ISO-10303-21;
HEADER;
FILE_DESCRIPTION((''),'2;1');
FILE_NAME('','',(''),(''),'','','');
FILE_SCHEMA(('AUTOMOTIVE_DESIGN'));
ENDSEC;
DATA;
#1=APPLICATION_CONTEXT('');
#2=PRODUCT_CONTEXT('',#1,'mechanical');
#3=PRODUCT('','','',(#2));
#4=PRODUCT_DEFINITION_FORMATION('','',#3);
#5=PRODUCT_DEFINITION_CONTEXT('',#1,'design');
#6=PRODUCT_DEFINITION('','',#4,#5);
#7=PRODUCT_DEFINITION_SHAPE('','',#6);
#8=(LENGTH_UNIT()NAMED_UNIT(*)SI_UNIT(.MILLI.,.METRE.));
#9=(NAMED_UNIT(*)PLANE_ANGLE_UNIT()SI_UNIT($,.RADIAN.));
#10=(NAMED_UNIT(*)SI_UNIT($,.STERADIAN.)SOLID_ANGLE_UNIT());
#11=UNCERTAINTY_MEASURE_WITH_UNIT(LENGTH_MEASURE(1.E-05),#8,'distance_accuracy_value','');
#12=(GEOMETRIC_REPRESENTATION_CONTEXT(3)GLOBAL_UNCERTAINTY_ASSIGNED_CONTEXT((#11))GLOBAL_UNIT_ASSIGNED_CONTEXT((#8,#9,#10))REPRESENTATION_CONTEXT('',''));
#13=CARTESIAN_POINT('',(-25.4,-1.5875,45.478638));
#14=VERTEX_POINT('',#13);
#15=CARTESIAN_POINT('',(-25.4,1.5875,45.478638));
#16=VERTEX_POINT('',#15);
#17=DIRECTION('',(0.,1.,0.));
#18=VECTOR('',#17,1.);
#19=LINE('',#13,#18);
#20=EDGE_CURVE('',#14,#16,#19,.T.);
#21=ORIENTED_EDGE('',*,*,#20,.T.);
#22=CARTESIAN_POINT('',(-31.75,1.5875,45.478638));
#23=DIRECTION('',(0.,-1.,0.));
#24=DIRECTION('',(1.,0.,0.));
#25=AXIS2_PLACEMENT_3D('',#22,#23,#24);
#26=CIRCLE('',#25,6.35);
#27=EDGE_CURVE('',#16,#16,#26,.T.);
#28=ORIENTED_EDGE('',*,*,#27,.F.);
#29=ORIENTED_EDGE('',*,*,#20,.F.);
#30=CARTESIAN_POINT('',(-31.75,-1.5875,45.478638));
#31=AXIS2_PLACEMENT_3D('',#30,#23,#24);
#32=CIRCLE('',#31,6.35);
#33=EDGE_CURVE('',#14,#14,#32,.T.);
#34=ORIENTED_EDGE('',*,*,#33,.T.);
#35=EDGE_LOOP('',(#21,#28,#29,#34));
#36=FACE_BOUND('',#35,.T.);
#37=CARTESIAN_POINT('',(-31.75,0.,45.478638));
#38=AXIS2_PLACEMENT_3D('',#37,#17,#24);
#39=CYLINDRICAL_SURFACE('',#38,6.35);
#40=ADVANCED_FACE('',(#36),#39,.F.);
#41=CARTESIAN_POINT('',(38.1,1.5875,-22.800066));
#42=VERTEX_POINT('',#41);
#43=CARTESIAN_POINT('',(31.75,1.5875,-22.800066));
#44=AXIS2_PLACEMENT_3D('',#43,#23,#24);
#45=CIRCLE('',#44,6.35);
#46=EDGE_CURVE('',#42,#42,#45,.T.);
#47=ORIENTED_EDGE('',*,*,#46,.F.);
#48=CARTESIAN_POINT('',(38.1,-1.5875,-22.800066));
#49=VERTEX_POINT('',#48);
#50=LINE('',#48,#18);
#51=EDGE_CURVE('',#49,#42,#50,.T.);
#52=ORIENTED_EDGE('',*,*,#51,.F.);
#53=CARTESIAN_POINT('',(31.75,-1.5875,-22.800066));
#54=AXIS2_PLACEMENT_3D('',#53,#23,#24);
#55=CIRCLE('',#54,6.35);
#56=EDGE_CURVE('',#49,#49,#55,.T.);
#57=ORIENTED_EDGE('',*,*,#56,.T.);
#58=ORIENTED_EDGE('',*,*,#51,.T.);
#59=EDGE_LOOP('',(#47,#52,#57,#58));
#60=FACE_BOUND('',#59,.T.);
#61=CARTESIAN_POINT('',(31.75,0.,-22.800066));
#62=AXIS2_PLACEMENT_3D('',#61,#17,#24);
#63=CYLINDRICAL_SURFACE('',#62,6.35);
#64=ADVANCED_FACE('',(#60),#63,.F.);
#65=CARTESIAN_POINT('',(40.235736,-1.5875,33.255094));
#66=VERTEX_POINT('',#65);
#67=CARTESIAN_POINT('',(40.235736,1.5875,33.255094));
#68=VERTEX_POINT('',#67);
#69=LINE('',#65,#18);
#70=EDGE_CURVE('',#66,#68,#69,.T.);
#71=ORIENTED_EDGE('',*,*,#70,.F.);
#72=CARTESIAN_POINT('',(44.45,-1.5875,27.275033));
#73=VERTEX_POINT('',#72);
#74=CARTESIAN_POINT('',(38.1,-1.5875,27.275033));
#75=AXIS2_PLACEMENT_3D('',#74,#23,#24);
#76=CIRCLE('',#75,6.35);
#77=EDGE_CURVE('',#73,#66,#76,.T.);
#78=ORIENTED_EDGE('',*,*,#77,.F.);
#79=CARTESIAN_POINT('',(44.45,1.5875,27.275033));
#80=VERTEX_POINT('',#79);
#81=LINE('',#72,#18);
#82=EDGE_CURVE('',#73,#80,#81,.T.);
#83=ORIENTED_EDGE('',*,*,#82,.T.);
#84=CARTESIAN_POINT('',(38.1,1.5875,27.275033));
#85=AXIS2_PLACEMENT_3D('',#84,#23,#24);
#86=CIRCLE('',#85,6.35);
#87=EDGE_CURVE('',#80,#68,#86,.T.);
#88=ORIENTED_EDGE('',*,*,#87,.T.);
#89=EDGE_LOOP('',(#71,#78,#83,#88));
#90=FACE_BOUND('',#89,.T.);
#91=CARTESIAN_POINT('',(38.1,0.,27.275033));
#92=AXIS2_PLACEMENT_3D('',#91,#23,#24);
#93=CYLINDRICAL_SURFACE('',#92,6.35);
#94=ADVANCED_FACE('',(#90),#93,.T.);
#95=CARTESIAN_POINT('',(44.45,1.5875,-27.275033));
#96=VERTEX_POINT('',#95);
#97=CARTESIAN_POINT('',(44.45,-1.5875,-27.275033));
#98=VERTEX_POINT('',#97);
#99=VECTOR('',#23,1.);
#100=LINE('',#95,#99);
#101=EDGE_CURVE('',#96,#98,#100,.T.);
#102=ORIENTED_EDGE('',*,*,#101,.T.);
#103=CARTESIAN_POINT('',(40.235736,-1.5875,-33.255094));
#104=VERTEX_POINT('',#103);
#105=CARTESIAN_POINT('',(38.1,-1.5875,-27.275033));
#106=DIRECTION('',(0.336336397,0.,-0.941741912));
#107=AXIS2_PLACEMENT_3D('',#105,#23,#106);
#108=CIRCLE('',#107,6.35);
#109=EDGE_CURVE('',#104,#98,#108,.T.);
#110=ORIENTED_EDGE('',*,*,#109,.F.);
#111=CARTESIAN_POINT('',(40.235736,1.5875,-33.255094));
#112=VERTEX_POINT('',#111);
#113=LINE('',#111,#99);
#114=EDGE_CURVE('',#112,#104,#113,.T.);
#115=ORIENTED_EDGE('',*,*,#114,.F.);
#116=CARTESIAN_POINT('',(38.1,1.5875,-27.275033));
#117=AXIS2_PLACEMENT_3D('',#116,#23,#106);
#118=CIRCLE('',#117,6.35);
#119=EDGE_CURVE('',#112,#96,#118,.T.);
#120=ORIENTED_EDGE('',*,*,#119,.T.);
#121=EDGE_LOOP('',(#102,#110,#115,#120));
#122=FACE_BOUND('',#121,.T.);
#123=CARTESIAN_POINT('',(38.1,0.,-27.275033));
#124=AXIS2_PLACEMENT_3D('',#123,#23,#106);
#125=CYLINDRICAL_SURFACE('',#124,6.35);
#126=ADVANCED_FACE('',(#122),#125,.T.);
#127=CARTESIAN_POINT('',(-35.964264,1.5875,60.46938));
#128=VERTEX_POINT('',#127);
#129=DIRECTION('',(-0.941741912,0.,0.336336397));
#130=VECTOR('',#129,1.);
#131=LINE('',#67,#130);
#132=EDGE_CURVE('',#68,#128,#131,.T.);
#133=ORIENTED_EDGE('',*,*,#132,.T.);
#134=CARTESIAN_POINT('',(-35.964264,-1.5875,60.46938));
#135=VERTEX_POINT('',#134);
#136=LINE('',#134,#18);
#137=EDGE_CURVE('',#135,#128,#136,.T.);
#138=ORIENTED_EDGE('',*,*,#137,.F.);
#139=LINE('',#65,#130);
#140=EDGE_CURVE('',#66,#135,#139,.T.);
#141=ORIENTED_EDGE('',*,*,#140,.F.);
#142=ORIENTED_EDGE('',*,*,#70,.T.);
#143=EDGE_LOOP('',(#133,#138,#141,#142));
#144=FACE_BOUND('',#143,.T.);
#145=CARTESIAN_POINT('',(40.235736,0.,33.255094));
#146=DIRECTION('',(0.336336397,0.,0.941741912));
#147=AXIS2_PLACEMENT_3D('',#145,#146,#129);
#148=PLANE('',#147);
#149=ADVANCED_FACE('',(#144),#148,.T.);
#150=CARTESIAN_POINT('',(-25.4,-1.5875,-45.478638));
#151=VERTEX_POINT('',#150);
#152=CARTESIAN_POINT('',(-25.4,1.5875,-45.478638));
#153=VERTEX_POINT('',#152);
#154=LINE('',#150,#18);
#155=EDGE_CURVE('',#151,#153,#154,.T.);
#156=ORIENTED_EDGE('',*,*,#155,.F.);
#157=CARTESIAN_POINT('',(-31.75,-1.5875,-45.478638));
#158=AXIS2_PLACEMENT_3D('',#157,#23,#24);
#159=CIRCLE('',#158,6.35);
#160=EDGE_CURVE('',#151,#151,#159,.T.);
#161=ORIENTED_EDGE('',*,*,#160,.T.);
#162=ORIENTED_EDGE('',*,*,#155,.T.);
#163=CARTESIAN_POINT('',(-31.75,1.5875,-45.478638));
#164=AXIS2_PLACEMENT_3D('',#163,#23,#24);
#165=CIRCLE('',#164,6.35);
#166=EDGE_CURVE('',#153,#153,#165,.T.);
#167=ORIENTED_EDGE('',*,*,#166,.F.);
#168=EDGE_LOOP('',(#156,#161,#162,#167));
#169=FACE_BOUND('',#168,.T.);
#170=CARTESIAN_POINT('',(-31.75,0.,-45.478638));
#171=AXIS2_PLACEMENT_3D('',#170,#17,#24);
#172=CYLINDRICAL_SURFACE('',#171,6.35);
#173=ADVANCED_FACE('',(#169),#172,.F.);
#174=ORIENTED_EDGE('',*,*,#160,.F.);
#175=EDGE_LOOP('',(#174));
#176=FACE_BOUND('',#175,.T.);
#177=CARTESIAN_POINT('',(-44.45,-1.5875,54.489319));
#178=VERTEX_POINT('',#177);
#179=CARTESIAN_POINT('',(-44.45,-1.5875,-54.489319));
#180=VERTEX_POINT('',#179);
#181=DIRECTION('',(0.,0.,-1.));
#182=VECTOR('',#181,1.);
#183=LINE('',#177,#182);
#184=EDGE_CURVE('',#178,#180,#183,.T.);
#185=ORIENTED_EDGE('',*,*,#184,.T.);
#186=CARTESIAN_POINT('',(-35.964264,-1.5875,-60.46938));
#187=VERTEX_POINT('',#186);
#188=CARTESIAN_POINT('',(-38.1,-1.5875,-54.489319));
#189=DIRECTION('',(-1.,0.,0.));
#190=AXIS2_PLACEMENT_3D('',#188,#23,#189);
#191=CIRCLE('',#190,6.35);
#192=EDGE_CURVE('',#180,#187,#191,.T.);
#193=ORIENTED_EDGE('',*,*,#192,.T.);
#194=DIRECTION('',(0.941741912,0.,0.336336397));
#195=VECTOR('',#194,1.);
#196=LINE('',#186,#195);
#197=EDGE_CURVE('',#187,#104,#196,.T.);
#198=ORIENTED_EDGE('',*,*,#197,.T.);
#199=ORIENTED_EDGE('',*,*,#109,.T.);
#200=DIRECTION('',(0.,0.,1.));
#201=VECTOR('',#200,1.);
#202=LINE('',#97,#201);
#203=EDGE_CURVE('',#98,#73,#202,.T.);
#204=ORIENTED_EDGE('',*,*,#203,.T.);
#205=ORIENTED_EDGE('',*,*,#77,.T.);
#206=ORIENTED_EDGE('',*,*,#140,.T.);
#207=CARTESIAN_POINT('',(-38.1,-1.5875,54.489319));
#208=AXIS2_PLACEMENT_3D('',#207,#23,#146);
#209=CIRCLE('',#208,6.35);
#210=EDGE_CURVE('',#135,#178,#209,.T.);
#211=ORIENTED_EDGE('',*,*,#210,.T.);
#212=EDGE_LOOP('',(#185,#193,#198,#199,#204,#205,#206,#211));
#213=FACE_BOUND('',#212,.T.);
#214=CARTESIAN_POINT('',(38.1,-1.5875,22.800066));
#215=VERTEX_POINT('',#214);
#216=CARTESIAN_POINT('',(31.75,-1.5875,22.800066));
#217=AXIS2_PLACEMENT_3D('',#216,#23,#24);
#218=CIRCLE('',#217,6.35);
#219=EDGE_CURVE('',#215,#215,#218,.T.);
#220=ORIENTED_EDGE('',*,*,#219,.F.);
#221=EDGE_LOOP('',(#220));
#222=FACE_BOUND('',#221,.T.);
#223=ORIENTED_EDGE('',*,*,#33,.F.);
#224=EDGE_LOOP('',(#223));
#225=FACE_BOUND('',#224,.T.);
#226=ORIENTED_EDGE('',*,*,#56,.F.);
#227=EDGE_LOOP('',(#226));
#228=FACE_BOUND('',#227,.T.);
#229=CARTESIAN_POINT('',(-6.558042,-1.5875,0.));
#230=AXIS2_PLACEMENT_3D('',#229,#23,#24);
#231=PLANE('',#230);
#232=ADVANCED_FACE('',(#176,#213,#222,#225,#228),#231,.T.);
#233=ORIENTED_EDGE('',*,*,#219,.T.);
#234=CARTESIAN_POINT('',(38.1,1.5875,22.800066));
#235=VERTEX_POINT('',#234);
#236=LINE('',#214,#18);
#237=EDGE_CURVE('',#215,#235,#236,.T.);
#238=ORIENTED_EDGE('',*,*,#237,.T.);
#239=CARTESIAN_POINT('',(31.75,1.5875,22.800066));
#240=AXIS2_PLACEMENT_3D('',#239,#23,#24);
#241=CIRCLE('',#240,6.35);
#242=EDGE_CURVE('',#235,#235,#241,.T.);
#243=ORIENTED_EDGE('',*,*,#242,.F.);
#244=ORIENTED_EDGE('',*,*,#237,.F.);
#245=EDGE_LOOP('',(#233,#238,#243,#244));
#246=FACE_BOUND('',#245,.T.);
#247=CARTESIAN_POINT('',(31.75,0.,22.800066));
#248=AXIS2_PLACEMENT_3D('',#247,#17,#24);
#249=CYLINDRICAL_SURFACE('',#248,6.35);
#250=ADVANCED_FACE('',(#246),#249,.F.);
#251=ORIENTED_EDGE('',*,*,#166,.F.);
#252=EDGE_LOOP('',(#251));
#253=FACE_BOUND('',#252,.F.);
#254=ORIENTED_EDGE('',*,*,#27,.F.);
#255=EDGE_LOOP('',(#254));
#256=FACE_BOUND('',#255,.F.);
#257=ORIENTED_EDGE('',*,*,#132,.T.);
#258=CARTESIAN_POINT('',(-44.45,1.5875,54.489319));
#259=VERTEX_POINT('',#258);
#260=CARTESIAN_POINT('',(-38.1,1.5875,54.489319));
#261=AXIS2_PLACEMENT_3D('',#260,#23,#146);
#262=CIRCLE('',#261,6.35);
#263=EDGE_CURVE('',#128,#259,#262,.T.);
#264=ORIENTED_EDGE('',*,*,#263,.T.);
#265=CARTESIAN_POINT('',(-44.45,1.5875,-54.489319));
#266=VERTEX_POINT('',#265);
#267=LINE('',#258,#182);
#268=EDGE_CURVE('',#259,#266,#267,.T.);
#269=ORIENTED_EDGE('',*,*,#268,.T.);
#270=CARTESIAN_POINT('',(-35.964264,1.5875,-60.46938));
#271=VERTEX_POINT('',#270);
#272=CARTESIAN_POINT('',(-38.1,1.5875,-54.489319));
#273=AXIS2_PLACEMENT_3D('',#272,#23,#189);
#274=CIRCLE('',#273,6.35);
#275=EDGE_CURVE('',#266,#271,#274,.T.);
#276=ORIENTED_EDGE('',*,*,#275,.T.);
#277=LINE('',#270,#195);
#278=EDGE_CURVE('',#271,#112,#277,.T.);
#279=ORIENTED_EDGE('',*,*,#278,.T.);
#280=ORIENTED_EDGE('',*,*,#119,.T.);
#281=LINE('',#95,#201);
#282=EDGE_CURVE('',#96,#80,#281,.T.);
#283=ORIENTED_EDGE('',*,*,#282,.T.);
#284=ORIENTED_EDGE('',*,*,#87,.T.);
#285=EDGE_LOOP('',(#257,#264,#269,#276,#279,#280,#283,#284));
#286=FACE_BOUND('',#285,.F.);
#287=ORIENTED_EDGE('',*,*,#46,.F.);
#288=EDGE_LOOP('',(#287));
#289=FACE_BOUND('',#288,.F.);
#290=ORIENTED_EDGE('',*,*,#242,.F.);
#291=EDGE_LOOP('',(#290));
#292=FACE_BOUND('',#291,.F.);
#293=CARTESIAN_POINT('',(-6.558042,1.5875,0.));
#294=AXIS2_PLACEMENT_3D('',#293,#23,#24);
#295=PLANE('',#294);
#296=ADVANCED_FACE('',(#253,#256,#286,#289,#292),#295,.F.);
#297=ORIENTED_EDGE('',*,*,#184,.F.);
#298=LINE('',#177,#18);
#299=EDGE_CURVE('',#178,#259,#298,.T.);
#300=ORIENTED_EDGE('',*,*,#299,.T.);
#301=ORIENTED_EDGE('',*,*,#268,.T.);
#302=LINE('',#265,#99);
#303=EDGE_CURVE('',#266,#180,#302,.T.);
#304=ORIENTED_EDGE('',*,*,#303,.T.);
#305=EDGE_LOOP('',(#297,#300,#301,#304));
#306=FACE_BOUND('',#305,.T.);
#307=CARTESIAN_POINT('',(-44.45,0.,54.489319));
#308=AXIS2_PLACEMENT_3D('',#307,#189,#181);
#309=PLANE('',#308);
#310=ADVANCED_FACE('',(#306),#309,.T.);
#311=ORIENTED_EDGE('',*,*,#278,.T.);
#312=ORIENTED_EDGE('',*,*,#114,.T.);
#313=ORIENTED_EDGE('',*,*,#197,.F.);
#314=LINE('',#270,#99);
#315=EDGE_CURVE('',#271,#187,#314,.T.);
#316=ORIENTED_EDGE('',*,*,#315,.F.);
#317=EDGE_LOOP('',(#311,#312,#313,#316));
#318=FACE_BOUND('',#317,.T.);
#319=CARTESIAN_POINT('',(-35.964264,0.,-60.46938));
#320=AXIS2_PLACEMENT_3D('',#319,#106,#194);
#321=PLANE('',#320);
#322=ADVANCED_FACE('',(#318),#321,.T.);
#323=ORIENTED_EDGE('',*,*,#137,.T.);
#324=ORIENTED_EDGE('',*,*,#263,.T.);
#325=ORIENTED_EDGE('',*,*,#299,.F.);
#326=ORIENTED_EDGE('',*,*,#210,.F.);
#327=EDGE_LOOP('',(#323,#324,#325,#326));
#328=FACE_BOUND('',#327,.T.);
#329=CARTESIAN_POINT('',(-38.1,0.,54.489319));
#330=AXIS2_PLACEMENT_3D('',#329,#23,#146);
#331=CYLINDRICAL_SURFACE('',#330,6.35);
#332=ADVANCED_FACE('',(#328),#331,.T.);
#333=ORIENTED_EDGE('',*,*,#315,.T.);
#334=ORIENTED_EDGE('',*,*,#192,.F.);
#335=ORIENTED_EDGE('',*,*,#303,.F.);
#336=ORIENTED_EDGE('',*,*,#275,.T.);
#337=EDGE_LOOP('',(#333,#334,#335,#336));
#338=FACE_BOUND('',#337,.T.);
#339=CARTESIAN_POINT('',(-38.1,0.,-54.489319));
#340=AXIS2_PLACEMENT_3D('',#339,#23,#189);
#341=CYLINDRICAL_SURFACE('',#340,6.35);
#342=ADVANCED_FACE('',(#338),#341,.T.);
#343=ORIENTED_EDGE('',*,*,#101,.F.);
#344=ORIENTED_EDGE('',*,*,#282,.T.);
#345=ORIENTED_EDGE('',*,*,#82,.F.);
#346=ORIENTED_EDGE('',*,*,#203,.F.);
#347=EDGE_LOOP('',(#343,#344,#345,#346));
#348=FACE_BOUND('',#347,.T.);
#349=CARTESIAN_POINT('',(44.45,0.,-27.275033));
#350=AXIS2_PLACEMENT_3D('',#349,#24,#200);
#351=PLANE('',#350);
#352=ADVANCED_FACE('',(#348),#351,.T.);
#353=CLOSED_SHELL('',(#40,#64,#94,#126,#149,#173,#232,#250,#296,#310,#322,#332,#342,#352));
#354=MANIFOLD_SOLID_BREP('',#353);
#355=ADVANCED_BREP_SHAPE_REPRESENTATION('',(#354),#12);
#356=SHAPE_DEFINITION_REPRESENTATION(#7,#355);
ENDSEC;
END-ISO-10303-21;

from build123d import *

# Parameters (mm, degrees)
F0_R     = 6.35
F1_DEPTH = 1.5875


with BuildPart() as f1:
    # F0 (on Front) → F1 (new body, symmetric)
    with BuildSketch(Plane.XZ):
        with BuildLine():
            Line((-44.45, 54.4893188182), (-44.45, 0))
            Line((-44.45, 0), (-44.45, -54.4893188182))
            ThreePointArc((-44.45, -54.4893188182), (-41.7579075735, -59.6799076272), (-35.9642638791, -60.4693799568))
            Line((-35.9642638791, -60.4693799568), (40.2357361209, -33.2550942425))
            ThreePointArc((40.2357361209, -33.2550942425), (43.290588809, -30.9329406774), (44.45, -27.2750331039))
            Line((44.45, -27.2750331039), (44.45, 0))
            Line((44.45, 0), (44.45, 27.2750331039))
            ThreePointArc((44.45, 27.2750331039), (43.290588809, 30.9329406774), (40.2357361209, 33.2550942425))
            Line((40.2357361209, 33.2550942425), (-35.9642638791, 60.4693799568))
            ThreePointArc((-35.9642638791, 60.4693799568), (-41.7579075735, 59.6799076272), (-44.45, 54.4893188182))
        make_face()
        with Locations((-31.75, -45.4786376364)):
            Circle(F0_R, mode=Mode.SUBTRACT)
        with Locations((31.75, -22.8000662078)):
            Circle(F0_R, mode=Mode.SUBTRACT)
        with Locations((-31.75, 45.4786376364)):
            Circle(F0_R, mode=Mode.SUBTRACT)
        with Locations((31.75, 22.8000662078)):
            Circle(F0_R, mode=Mode.SUBTRACT)
    extrude(amount=F1_DEPTH, both=True)


solid = f1.part
